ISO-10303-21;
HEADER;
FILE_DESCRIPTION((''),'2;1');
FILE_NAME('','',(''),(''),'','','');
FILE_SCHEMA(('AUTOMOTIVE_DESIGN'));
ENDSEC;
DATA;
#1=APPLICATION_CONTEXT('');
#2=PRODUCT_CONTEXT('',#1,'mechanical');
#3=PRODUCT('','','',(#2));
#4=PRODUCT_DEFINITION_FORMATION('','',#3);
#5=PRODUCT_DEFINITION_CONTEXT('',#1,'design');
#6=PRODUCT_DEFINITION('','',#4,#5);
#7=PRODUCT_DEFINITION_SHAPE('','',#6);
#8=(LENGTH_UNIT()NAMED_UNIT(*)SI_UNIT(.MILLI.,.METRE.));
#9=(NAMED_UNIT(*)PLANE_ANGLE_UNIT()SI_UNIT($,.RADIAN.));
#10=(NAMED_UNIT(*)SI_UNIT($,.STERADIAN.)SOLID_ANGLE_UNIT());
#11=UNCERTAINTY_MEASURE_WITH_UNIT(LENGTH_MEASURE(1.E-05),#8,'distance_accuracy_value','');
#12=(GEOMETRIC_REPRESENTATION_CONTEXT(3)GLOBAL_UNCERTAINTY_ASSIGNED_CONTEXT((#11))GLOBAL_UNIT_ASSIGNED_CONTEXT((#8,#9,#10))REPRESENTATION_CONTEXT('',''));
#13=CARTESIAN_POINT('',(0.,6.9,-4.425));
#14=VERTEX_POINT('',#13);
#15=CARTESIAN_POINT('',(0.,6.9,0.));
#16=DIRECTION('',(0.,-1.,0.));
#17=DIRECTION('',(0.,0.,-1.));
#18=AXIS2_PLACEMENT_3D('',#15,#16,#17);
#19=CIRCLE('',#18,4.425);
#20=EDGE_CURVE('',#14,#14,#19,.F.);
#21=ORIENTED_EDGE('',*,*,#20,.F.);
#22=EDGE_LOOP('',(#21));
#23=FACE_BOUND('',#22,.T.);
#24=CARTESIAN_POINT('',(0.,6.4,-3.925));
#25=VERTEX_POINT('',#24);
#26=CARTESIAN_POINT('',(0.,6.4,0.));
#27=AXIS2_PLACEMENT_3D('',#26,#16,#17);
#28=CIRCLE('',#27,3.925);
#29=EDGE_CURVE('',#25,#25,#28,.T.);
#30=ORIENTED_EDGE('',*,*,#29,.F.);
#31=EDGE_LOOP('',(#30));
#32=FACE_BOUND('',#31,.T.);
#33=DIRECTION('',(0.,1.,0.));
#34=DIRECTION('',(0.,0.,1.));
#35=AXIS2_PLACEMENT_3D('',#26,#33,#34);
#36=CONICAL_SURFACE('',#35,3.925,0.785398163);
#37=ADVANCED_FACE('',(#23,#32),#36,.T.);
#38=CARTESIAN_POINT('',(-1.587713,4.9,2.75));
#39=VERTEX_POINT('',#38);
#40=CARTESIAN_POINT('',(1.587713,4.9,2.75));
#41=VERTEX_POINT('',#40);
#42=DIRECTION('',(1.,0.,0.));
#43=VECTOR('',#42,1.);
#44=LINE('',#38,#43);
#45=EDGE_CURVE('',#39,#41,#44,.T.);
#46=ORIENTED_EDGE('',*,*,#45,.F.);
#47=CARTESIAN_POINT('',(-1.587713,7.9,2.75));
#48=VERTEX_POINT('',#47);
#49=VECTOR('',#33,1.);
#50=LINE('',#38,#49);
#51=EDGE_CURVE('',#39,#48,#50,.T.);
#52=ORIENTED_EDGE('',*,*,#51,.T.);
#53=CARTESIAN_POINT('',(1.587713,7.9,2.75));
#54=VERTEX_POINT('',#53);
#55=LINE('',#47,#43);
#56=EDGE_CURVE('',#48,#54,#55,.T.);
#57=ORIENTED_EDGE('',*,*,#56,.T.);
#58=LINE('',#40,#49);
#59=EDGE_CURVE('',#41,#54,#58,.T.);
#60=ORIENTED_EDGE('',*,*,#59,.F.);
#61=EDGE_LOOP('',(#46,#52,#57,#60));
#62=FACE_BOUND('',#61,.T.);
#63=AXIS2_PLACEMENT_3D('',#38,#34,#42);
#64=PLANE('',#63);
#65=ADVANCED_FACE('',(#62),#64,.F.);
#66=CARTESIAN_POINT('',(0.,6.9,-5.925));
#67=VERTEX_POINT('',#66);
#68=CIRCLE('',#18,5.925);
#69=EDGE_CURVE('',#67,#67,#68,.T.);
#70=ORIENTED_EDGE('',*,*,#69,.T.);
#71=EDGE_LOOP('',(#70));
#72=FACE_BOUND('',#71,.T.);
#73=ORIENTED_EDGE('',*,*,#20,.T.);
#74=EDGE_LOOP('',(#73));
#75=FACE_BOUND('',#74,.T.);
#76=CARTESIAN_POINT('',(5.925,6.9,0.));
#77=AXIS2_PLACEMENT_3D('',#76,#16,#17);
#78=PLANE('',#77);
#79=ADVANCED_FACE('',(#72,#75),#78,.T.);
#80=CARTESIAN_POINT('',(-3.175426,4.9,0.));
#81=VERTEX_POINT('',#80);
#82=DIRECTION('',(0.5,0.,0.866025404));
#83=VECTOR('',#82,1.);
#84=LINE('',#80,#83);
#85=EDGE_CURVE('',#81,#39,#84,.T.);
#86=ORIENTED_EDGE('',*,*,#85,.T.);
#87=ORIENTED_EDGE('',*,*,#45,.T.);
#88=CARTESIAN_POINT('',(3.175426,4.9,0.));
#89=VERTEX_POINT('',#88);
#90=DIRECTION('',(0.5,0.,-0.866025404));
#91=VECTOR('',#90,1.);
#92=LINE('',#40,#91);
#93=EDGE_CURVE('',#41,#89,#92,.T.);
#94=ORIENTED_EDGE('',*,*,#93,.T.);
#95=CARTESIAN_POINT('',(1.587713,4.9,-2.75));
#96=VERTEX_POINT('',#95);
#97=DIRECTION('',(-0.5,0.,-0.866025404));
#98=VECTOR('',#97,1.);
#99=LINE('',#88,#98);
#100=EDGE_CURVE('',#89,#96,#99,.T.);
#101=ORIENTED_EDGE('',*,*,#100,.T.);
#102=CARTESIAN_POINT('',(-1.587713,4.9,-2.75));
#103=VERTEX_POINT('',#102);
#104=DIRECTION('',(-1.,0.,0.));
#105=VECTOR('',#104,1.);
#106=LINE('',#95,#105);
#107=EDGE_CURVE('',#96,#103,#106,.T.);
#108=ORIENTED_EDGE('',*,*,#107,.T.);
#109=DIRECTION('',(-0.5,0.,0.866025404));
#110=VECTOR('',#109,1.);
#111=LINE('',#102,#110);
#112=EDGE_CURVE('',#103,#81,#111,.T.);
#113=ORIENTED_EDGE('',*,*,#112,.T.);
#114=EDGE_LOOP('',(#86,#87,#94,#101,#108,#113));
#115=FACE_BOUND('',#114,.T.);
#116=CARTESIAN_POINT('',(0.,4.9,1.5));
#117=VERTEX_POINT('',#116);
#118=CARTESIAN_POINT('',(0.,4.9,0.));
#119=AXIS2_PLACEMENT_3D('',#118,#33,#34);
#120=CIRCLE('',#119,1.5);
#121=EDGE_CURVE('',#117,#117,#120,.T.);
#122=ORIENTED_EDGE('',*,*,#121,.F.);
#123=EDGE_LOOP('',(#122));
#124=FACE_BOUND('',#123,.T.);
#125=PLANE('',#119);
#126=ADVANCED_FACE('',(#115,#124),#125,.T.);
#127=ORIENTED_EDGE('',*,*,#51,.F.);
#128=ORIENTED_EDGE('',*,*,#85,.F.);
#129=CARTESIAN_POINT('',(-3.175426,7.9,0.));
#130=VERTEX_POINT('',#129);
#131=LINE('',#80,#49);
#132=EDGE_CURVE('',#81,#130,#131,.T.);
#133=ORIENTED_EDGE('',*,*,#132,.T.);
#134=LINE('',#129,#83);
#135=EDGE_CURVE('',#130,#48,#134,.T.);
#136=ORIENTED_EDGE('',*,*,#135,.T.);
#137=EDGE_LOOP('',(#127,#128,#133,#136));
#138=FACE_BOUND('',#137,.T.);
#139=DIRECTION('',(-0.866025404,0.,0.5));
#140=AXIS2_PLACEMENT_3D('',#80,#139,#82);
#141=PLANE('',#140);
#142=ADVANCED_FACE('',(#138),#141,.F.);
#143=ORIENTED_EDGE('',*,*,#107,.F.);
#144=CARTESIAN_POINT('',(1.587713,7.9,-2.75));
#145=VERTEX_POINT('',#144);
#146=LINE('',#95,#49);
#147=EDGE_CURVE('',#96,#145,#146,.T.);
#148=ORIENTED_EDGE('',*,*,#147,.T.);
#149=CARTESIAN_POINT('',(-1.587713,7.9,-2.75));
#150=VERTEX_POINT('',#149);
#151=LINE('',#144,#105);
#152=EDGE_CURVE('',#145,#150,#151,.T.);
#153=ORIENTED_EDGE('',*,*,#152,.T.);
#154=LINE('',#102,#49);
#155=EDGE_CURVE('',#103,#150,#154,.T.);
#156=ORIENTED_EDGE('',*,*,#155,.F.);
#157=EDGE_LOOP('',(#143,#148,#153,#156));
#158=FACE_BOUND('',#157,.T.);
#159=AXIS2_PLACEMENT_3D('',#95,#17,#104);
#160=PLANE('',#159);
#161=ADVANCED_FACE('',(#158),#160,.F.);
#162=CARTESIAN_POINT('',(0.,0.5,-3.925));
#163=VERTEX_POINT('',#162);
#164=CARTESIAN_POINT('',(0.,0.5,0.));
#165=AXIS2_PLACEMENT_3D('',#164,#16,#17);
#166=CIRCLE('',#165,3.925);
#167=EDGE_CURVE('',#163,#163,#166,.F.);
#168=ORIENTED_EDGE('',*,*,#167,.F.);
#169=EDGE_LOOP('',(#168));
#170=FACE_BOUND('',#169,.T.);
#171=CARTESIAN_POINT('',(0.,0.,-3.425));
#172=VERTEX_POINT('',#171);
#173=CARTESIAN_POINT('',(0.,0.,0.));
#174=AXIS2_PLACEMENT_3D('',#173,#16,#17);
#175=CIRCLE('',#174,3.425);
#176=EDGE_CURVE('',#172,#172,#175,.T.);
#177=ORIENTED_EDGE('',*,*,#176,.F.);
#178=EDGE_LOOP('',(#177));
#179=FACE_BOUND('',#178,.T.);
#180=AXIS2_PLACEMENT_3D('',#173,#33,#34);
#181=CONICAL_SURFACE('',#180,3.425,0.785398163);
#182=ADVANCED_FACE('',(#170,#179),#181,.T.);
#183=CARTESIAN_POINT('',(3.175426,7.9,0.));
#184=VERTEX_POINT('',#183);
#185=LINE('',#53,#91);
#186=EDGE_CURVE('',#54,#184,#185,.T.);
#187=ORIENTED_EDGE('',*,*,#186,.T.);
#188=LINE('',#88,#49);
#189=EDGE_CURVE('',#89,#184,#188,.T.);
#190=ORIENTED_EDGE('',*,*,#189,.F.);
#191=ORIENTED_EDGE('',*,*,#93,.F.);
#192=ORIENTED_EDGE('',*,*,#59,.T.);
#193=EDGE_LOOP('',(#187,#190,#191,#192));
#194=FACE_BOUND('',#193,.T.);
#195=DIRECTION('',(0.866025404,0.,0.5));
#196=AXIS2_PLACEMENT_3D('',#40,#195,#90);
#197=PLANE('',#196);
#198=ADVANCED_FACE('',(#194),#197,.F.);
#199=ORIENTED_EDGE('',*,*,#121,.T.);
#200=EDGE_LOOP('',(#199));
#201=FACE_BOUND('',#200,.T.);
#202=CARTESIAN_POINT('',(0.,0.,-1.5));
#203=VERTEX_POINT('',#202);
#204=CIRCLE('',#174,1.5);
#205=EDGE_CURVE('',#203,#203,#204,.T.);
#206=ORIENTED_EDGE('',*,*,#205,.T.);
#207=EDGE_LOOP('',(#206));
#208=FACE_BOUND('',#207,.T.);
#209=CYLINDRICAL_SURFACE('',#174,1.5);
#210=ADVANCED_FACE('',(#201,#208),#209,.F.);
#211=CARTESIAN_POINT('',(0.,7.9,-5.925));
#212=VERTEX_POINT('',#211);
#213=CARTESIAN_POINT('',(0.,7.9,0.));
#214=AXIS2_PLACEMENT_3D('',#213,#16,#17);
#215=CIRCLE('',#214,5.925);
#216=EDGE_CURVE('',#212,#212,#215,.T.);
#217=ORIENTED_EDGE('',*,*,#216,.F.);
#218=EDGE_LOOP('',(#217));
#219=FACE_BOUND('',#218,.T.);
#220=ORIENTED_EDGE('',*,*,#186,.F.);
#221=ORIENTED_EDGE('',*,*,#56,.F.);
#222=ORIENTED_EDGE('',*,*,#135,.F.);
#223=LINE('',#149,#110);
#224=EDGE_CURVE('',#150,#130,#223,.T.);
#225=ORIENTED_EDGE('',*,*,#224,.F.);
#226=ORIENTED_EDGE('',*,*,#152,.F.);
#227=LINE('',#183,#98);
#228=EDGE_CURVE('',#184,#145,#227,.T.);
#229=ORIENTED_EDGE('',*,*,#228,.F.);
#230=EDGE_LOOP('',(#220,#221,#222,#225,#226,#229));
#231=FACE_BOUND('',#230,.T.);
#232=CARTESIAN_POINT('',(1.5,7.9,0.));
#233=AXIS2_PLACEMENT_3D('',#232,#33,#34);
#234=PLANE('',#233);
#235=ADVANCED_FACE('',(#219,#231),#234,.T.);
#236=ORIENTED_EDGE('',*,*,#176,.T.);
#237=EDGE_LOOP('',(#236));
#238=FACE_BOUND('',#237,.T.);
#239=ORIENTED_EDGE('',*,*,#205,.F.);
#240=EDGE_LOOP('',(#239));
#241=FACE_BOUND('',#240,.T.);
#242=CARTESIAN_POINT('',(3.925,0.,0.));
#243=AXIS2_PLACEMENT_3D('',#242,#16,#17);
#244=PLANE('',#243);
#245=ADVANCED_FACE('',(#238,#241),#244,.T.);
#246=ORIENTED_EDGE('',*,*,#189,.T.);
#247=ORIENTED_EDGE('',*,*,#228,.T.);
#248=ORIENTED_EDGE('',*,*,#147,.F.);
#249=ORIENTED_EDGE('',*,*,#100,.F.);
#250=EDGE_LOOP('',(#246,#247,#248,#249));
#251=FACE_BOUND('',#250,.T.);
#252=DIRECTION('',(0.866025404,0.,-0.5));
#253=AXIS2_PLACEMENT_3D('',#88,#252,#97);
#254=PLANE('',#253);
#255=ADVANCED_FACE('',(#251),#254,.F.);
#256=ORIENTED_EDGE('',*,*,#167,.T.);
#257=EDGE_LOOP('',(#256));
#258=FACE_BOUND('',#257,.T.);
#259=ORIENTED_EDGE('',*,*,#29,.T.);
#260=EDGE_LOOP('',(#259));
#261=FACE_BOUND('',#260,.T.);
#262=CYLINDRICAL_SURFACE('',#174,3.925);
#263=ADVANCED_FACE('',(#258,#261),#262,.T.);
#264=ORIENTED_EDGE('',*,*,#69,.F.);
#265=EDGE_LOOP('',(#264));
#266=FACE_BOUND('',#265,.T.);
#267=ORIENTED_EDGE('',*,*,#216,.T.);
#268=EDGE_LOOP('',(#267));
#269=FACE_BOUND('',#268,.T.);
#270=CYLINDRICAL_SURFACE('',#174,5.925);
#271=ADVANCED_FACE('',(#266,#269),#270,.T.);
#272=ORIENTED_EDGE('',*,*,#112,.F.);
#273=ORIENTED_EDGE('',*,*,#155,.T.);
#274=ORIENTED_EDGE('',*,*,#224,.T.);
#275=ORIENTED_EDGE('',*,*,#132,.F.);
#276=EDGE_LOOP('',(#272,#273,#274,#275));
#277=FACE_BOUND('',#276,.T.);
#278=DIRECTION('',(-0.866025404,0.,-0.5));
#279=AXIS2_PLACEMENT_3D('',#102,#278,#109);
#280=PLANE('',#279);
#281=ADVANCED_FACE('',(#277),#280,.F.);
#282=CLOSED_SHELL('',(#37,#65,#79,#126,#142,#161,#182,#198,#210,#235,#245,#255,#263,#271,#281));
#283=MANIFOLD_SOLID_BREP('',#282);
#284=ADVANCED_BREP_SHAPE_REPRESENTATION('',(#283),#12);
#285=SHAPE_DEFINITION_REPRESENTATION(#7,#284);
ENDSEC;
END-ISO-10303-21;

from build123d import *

# Parameters (mm, degrees)
CHANFREIN1_SIZE         = 0.5
ENL_V_MAT_EXTRU_2_DEPTH = 3


with BuildPart() as part:
    # Esquisse1 → Révolution1 (revolve)
    with BuildSketch(Plane.XY, mode=Mode.PRIVATE) as r_volution1_sk:
        Polygon((1.5, 7.9), (5.925, 7.9), (5.925, 6.9), (3.925, 6.9), (3.925, 0), (1.5, 0), align=None)
    revolve(r_volution1_sk.sketch.rotate(Axis((0, 0, 0), (0, 1, 0)), 90), axis=Axis((0, 0, 0), (0, 1, 0)))

    # Chanfrein1
    chanfrein1_edges = [part.edges().sort_by_distance(p)[0] for p in [
        (0, 0, 3.925),
        (0, 6.9, 3.925),
    ]]
    chamfer(chanfrein1_edges, length=CHANFREIN1_SIZE)

    # Esquisse3 → Enlèv. mat.-Extru.2 (cut)
    with BuildSketch(Plane(origin=(0, 7.9, 0), x_dir=(1, 0, 0), z_dir=(0, 1, 0))):
        Polygon((1.58771324, 2.75), (-1.58771324, 2.75), (-3.175426481, 0), (-1.58771324, -2.75), (1.58771324, -2.75), (3.175426481, 0), align=None)
    extrude(amount=-ENL_V_MAT_EXTRU_2_DEPTH, mode=Mode.SUBTRACT)


solid = part.part
